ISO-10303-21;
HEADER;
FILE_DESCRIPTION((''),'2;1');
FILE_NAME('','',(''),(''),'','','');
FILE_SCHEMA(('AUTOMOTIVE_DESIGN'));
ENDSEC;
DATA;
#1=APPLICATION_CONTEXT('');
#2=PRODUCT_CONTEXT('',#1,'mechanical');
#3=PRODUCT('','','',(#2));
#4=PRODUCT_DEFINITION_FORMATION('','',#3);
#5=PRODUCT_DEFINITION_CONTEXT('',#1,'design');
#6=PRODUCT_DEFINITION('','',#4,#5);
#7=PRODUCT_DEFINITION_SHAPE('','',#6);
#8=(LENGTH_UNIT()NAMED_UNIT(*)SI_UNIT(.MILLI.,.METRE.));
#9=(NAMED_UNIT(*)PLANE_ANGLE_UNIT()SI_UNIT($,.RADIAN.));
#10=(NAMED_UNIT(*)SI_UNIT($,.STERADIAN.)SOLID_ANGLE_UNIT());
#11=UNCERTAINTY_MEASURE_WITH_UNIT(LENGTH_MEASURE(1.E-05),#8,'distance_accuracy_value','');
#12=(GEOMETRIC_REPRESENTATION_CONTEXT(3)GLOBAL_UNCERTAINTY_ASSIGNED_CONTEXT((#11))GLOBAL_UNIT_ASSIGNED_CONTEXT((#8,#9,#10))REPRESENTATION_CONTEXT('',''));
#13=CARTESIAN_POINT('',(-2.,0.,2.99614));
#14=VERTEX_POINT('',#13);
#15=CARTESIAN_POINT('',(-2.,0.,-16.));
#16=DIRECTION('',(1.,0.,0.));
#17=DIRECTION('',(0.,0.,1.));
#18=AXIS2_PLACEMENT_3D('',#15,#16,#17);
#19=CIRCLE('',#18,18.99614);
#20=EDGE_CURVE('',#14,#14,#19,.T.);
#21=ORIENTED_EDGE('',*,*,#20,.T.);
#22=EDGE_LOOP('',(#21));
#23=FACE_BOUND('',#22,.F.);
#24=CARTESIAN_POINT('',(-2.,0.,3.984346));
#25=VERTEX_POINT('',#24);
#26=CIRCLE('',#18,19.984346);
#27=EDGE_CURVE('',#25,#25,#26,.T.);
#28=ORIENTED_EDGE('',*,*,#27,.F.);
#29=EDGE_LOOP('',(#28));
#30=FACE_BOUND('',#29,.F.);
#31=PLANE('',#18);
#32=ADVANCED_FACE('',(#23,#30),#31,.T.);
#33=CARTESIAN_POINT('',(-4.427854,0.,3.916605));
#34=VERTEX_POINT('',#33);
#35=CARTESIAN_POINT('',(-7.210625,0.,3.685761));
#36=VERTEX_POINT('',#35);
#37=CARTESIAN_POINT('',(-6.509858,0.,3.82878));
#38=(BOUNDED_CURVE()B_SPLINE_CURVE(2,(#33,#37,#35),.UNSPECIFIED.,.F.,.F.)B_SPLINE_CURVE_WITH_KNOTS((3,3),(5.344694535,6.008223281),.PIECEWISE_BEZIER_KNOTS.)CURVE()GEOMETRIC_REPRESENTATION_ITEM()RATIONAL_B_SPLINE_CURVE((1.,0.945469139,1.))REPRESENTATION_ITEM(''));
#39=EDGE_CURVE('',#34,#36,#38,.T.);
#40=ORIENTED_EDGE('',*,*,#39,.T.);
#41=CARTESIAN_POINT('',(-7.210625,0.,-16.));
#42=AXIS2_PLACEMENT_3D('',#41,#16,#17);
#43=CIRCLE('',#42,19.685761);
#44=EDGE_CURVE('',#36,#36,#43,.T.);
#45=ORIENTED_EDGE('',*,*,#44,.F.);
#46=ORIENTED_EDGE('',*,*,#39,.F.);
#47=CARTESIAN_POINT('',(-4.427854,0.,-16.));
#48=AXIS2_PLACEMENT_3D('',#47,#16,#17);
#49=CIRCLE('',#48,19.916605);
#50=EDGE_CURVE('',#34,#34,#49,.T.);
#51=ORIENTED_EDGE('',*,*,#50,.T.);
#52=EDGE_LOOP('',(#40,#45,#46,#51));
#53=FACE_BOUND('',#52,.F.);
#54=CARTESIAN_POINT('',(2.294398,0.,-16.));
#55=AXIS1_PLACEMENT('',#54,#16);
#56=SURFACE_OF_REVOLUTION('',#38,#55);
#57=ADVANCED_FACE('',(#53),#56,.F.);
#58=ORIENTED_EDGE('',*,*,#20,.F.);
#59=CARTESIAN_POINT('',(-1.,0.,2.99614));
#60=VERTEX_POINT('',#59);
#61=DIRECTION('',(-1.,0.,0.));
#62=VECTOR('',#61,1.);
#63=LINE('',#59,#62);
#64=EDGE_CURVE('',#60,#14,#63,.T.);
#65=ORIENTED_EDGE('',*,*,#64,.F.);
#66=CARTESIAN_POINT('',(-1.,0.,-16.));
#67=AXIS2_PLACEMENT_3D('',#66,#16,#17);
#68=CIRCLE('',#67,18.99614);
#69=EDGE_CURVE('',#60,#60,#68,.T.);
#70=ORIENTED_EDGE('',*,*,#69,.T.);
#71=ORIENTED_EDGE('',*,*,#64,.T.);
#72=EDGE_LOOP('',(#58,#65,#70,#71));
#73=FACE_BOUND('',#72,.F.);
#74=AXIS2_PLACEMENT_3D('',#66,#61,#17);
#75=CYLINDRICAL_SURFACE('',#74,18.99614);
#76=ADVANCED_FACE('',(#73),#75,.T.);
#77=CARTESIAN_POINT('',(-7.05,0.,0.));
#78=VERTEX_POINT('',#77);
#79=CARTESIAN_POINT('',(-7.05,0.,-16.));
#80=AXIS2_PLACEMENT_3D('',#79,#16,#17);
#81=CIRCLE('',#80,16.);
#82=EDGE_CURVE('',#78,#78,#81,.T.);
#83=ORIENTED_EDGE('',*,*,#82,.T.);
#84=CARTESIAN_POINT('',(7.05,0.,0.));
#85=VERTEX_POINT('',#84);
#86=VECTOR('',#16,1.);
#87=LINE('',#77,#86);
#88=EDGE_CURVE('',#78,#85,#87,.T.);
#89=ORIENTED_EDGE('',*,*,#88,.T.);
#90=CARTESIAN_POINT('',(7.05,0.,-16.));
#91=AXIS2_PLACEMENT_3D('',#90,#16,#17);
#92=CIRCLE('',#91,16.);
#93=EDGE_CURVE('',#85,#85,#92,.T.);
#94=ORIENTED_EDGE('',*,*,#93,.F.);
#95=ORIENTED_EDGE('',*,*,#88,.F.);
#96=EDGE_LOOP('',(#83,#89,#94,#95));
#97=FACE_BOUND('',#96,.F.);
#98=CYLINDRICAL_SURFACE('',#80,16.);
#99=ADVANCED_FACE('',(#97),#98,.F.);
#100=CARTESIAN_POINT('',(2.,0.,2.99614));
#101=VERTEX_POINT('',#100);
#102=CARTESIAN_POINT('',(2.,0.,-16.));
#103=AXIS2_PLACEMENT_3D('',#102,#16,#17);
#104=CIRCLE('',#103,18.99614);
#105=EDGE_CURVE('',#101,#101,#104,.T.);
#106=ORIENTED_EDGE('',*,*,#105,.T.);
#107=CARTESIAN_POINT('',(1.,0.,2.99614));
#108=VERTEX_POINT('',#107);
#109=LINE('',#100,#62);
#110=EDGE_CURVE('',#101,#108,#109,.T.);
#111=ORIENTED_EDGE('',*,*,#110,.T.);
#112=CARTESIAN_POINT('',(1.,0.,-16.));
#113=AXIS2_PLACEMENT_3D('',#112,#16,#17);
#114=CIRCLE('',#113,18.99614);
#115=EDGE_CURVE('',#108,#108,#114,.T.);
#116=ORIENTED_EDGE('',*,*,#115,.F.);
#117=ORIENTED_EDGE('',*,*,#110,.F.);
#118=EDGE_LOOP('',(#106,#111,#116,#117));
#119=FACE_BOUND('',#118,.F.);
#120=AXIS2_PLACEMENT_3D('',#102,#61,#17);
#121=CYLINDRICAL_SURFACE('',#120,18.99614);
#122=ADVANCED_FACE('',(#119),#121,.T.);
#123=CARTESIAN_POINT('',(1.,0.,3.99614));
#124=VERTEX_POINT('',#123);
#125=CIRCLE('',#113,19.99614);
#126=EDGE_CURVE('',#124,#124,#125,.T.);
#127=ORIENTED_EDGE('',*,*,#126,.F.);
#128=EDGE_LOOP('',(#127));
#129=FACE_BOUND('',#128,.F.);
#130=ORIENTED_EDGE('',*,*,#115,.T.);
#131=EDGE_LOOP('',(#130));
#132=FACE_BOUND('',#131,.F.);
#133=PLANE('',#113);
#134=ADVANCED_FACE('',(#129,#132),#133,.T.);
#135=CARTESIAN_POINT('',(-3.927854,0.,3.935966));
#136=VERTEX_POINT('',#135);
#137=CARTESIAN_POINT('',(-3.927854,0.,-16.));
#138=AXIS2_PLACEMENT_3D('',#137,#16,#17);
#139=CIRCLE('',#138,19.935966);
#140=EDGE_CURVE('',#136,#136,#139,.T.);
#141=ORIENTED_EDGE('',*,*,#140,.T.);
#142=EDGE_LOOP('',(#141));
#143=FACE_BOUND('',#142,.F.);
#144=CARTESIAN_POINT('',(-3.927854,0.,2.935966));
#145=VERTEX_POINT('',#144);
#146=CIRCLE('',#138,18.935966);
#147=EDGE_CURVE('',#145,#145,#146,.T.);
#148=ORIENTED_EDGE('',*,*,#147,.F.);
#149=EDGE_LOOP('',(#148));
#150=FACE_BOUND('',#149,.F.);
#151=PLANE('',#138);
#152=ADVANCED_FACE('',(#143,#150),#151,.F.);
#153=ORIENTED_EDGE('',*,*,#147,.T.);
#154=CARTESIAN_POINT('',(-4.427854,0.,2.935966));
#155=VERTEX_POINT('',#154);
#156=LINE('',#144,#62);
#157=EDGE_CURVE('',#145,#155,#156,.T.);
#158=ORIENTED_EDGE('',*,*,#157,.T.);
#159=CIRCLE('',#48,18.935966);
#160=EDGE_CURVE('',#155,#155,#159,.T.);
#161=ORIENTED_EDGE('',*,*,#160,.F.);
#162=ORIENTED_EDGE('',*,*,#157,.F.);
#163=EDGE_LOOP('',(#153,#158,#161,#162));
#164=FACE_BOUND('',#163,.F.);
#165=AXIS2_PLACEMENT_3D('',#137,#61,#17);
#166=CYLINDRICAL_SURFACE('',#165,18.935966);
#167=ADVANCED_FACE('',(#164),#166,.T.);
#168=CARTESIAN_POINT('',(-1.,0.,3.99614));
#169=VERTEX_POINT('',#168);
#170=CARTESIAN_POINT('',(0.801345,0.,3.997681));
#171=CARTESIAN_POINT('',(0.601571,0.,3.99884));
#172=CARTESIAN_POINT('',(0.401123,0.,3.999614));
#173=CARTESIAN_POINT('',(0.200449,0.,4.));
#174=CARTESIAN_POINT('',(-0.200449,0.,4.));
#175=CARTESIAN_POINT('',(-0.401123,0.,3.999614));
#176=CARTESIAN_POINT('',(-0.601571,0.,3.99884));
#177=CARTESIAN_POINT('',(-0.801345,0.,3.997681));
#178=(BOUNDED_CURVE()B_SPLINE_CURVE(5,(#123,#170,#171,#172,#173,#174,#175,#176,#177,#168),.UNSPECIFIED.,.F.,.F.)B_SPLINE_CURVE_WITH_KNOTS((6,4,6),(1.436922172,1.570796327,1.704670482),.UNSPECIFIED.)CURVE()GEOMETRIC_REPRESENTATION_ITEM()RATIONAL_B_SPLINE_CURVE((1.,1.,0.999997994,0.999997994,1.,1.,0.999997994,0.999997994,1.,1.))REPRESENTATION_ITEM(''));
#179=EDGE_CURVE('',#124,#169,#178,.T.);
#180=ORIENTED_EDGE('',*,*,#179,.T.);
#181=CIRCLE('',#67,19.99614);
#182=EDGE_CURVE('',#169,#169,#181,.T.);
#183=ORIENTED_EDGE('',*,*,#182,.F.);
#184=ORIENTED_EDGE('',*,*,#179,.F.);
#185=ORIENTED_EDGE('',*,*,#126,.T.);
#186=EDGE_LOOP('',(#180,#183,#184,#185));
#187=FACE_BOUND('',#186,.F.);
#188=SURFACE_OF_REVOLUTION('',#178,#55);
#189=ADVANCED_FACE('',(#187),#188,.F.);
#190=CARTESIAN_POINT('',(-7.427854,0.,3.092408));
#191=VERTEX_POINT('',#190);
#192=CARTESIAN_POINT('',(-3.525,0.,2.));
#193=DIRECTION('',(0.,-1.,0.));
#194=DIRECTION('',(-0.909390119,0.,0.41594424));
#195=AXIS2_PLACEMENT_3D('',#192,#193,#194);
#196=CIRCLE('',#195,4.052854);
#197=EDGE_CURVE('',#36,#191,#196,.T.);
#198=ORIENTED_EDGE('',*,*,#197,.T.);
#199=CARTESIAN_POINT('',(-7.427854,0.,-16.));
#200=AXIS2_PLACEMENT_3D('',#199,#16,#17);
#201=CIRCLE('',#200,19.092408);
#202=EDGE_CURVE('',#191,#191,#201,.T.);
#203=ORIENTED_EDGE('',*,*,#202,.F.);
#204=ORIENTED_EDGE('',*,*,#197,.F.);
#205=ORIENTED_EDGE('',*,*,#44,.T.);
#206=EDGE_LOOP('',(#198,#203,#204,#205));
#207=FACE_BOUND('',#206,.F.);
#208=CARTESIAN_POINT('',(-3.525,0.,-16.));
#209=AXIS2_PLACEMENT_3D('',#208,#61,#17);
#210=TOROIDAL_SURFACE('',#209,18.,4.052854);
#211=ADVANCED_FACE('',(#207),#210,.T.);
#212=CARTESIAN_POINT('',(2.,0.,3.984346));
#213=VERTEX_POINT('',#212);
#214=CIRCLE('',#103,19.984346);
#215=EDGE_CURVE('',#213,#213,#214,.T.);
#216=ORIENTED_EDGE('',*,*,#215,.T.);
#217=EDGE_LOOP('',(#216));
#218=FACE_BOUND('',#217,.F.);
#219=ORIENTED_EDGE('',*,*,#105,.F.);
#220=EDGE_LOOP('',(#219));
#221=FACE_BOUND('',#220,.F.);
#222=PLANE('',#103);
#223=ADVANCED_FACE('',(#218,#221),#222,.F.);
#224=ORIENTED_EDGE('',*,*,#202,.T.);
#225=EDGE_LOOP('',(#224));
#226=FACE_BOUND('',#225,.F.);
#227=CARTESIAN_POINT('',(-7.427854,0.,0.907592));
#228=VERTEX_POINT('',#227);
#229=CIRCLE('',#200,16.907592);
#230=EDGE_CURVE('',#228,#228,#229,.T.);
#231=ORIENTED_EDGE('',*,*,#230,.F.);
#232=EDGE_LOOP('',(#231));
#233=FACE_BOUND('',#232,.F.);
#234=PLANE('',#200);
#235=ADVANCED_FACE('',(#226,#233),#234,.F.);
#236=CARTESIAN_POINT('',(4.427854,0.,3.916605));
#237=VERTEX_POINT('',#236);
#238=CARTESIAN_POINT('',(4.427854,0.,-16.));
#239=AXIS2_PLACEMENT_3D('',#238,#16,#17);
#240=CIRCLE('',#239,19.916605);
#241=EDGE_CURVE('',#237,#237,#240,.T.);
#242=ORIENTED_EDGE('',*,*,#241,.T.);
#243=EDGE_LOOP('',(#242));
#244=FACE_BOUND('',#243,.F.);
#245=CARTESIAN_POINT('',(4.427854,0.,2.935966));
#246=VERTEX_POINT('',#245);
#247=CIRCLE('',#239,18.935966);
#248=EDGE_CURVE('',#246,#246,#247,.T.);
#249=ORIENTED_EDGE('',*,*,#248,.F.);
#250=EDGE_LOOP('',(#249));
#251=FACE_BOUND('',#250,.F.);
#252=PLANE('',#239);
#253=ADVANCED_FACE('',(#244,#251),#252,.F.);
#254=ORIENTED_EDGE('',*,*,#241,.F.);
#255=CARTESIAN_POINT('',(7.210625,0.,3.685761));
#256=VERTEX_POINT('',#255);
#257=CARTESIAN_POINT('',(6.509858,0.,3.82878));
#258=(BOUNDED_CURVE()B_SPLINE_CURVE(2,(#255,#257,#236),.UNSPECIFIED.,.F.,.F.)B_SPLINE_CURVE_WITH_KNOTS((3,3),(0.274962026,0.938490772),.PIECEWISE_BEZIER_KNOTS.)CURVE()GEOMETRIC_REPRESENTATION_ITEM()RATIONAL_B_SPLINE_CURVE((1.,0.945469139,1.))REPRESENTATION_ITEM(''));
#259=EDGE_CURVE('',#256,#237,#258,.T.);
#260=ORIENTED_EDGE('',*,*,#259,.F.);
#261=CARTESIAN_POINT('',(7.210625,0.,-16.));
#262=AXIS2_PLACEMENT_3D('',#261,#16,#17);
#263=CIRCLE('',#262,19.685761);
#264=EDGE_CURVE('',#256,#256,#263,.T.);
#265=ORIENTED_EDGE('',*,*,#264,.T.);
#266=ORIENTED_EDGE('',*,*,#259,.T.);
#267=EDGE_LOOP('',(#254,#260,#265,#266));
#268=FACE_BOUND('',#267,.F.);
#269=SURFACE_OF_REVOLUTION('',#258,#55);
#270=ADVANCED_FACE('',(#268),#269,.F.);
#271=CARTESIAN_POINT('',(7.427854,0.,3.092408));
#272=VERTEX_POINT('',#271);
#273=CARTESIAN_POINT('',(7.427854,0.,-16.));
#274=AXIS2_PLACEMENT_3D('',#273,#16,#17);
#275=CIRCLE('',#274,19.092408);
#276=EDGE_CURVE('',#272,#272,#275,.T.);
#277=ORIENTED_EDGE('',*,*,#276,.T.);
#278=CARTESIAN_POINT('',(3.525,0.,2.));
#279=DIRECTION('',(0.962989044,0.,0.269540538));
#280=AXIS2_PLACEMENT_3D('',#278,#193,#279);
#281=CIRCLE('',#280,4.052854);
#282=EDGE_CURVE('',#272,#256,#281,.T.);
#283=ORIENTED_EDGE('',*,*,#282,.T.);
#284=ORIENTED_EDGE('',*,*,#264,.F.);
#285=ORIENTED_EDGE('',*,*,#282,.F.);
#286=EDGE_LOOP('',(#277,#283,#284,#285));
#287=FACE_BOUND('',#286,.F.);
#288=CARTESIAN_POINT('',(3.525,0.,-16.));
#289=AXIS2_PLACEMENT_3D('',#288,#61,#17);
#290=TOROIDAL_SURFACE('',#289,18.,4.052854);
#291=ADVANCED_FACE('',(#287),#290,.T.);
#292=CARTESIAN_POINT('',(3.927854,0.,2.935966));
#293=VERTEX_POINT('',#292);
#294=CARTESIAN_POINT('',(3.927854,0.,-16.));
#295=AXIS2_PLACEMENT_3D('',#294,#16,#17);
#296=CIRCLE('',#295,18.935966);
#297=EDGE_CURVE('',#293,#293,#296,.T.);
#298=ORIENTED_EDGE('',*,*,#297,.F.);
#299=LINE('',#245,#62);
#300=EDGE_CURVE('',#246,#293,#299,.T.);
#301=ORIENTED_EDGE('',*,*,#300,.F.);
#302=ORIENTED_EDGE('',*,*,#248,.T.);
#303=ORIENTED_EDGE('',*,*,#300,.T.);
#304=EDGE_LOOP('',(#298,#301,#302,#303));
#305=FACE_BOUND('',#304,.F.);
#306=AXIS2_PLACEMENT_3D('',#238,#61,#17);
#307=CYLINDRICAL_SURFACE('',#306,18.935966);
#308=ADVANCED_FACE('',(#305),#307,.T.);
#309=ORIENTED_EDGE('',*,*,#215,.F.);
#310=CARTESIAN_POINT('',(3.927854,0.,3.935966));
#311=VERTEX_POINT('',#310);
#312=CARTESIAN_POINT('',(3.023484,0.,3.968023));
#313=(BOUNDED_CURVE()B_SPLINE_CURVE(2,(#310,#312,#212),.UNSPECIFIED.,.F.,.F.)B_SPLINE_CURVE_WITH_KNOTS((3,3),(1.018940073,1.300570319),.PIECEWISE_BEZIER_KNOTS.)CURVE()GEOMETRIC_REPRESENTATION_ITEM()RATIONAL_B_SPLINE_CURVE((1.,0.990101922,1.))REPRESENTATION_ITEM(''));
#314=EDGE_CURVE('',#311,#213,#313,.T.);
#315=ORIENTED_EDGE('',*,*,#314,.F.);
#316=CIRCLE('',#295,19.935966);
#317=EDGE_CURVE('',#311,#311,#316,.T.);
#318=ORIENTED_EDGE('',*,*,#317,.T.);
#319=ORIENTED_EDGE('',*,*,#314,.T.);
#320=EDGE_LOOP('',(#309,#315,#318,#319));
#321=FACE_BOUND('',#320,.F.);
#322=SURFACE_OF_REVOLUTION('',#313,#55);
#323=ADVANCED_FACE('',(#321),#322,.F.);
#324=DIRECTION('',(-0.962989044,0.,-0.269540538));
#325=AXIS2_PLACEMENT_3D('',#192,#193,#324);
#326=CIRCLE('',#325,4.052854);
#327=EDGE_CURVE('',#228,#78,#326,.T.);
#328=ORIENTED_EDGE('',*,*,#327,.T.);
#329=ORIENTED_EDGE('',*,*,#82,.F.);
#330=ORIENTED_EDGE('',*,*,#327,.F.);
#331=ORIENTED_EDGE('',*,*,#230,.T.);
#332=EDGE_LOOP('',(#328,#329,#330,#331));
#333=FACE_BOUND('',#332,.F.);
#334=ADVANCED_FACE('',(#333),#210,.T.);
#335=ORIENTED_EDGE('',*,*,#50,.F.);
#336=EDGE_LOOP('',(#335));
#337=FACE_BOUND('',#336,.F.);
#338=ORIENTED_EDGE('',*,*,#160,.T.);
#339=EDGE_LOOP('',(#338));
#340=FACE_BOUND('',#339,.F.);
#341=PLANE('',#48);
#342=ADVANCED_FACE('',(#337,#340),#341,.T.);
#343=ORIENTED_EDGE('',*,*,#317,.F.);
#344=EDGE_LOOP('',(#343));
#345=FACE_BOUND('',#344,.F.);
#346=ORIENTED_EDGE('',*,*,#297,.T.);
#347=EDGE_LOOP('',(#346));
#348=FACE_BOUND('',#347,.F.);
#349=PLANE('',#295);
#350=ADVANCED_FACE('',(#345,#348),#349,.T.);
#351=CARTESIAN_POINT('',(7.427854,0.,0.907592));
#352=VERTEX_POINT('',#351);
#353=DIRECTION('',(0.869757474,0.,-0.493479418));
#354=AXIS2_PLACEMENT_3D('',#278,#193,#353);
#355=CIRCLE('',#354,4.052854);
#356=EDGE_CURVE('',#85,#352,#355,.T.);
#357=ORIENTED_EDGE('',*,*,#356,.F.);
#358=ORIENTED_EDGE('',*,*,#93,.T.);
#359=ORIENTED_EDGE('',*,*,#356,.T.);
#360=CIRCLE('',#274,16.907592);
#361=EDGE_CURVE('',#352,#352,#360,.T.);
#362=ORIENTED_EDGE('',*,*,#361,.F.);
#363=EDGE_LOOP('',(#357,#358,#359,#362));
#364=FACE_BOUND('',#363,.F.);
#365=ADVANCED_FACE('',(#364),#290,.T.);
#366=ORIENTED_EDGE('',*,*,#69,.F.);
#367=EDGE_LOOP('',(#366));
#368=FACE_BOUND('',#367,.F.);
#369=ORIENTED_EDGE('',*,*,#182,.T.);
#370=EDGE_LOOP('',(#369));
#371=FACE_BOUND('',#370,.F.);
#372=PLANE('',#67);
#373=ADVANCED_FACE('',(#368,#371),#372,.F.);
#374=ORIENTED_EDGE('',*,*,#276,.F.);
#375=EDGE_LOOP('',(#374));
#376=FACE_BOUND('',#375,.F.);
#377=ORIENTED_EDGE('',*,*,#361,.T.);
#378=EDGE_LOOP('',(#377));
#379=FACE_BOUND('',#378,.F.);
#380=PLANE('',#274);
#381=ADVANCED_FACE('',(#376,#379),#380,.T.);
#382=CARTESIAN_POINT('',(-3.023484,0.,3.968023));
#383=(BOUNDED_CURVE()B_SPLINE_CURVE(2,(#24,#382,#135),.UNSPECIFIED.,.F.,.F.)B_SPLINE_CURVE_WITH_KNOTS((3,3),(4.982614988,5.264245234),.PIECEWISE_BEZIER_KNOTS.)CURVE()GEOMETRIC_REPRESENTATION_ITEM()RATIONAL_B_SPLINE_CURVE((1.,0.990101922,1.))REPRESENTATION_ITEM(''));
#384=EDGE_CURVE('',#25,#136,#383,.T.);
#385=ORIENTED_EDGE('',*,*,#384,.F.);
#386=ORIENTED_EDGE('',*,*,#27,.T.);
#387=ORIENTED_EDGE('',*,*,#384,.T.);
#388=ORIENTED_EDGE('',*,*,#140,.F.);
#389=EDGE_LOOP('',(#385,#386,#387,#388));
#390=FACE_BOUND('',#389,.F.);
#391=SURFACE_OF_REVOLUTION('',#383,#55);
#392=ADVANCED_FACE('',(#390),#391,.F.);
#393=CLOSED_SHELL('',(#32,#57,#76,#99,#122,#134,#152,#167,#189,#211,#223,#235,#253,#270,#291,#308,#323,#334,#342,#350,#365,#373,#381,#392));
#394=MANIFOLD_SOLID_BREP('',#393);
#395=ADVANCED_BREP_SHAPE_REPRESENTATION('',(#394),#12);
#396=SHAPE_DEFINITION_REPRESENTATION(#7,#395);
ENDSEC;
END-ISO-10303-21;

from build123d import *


with BuildPart() as f1:
    # F0 (on Front) → F1 (revolve)
    with BuildSketch(Plane.XZ):
        with BuildLine():
            Line((-7.05, 0), (0, 0))
            Line((0, 0), (7.05, 0))
            ThreePointArc((7.05, 0), (7.2665483594, 0.4422962816), (7.4278539327, 0.9075915691))
            Line((7.4278539327, 0.9075915691), (7.4278539327, 2))
            Line((7.4278539327, 2), (7.4278539327, 3.0924084309))
            ThreePointArc((7.4278539327, 3.0924084309), (7.3308207049, 3.3933247152), (7.210625321, 3.6857612504))
            add(Edge.make_bspline(
                [(7.210625321, 3.6857612504), (6.5098581638, 3.8287803398), (4.4278539327, 3.9166045726)],
                knots=[0.274962026, 0.274962026, 0.274962026, 0.9384907723, 0.9384907723, 0.9384907723], degree=2, weights=[1, 0.9454691385, 1]))
            Line((4.4278539327, 3.9166045726), (4.4278539327, 2.935966337))
            Line((4.4278539327, 2.935966337), (3.9278539327, 2.935966337))
            Line((3.9278539327, 2.935966337), (3.9278539327, 3.935966337))
            add(Edge.make_bspline(
                [(3.9278539327, 3.935966337), (3.0234841103, 3.96802339), (2, 3.9843463254)],
                knots=[1.0189400728, 1.0189400728, 1.0189400728, 1.3005703192, 1.3005703192, 1.3005703192], degree=2, weights=[1, 0.9901019224, 1]))
            Line((2, 3.9843463254), (2, 2.9961403214))
            Line((2, 2.9961403214), (1, 2.9961403214))
            Line((1, 2.9961403214), (1, 3.9961403214))
            add(Edge.make_bspline(
                [(1, 3.9961403214), (0.502246995, 4), (0, 4)],
                knots=[1.4369221717, 1.4369221717, 1.4369221717, 1.5707963268, 1.5707963268, 1.5707963268], degree=2, weights=[1, 0.9977605502, 1]))
            add(Edge.make_bspline(
                [(0, 4), (-0.502246995, 4), (-1, 3.9961403214)],
                knots=[4.7123889804, 4.7123889804, 4.7123889804, 4.8462631355, 4.8462631355, 4.8462631355], degree=2, weights=[1, 0.9977605502, 1]))
            Line((-1, 3.9961403214), (-1, 2.9961403214))
            Line((-1, 2.9961403214), (-2, 2.9961403214))
            Line((-2, 2.9961403214), (-2, 3.9843463254))
            add(Edge.make_bspline(
                [(-2, 3.9843463254), (-3.0234841103, 3.96802339), (-3.9278539327, 3.935966337)],
                knots=[4.982614988, 4.982614988, 4.982614988, 5.2642452344, 5.2642452344, 5.2642452344], degree=2, weights=[1, 0.9901019224, 1]))
            Line((-3.9278539327, 3.935966337), (-3.9278539327, 2.935966337))
            Line((-3.9278539327, 2.935966337), (-4.4278539327, 2.935966337))
            Line((-4.4278539327, 2.935966337), (-4.4278539327, 3.9166045726))
            add(Edge.make_bspline(
                [(-4.4278539327, 3.9166045726), (-6.5098581638, 3.8287803398), (-7.210625321, 3.6857612504)],
                knots=[5.3446945349, 5.3446945349, 5.3446945349, 6.0082232811, 6.0082232811, 6.0082232811], degree=2, weights=[1, 0.9454691385, 1]))
            ThreePointArc((-7.210625321, 3.6857612504), (-7.3308207049, 3.3933247152), (-7.4278539327, 3.0924084309))
            Line((-7.4278539327, 3.0924084309), (-7.4278539327, 2))
            Line((-7.4278539327, 2), (-7.4278539327, 0.9075915691))
            ThreePointArc((-7.4278539327, 0.9075915691), (-7.2665483594, 0.4422962816), (-7.05, 0))
        make_face()
    revolve(axis=Axis((2.2943979129, 0, -16), (1, 0, 0)))


solid = f1.part
